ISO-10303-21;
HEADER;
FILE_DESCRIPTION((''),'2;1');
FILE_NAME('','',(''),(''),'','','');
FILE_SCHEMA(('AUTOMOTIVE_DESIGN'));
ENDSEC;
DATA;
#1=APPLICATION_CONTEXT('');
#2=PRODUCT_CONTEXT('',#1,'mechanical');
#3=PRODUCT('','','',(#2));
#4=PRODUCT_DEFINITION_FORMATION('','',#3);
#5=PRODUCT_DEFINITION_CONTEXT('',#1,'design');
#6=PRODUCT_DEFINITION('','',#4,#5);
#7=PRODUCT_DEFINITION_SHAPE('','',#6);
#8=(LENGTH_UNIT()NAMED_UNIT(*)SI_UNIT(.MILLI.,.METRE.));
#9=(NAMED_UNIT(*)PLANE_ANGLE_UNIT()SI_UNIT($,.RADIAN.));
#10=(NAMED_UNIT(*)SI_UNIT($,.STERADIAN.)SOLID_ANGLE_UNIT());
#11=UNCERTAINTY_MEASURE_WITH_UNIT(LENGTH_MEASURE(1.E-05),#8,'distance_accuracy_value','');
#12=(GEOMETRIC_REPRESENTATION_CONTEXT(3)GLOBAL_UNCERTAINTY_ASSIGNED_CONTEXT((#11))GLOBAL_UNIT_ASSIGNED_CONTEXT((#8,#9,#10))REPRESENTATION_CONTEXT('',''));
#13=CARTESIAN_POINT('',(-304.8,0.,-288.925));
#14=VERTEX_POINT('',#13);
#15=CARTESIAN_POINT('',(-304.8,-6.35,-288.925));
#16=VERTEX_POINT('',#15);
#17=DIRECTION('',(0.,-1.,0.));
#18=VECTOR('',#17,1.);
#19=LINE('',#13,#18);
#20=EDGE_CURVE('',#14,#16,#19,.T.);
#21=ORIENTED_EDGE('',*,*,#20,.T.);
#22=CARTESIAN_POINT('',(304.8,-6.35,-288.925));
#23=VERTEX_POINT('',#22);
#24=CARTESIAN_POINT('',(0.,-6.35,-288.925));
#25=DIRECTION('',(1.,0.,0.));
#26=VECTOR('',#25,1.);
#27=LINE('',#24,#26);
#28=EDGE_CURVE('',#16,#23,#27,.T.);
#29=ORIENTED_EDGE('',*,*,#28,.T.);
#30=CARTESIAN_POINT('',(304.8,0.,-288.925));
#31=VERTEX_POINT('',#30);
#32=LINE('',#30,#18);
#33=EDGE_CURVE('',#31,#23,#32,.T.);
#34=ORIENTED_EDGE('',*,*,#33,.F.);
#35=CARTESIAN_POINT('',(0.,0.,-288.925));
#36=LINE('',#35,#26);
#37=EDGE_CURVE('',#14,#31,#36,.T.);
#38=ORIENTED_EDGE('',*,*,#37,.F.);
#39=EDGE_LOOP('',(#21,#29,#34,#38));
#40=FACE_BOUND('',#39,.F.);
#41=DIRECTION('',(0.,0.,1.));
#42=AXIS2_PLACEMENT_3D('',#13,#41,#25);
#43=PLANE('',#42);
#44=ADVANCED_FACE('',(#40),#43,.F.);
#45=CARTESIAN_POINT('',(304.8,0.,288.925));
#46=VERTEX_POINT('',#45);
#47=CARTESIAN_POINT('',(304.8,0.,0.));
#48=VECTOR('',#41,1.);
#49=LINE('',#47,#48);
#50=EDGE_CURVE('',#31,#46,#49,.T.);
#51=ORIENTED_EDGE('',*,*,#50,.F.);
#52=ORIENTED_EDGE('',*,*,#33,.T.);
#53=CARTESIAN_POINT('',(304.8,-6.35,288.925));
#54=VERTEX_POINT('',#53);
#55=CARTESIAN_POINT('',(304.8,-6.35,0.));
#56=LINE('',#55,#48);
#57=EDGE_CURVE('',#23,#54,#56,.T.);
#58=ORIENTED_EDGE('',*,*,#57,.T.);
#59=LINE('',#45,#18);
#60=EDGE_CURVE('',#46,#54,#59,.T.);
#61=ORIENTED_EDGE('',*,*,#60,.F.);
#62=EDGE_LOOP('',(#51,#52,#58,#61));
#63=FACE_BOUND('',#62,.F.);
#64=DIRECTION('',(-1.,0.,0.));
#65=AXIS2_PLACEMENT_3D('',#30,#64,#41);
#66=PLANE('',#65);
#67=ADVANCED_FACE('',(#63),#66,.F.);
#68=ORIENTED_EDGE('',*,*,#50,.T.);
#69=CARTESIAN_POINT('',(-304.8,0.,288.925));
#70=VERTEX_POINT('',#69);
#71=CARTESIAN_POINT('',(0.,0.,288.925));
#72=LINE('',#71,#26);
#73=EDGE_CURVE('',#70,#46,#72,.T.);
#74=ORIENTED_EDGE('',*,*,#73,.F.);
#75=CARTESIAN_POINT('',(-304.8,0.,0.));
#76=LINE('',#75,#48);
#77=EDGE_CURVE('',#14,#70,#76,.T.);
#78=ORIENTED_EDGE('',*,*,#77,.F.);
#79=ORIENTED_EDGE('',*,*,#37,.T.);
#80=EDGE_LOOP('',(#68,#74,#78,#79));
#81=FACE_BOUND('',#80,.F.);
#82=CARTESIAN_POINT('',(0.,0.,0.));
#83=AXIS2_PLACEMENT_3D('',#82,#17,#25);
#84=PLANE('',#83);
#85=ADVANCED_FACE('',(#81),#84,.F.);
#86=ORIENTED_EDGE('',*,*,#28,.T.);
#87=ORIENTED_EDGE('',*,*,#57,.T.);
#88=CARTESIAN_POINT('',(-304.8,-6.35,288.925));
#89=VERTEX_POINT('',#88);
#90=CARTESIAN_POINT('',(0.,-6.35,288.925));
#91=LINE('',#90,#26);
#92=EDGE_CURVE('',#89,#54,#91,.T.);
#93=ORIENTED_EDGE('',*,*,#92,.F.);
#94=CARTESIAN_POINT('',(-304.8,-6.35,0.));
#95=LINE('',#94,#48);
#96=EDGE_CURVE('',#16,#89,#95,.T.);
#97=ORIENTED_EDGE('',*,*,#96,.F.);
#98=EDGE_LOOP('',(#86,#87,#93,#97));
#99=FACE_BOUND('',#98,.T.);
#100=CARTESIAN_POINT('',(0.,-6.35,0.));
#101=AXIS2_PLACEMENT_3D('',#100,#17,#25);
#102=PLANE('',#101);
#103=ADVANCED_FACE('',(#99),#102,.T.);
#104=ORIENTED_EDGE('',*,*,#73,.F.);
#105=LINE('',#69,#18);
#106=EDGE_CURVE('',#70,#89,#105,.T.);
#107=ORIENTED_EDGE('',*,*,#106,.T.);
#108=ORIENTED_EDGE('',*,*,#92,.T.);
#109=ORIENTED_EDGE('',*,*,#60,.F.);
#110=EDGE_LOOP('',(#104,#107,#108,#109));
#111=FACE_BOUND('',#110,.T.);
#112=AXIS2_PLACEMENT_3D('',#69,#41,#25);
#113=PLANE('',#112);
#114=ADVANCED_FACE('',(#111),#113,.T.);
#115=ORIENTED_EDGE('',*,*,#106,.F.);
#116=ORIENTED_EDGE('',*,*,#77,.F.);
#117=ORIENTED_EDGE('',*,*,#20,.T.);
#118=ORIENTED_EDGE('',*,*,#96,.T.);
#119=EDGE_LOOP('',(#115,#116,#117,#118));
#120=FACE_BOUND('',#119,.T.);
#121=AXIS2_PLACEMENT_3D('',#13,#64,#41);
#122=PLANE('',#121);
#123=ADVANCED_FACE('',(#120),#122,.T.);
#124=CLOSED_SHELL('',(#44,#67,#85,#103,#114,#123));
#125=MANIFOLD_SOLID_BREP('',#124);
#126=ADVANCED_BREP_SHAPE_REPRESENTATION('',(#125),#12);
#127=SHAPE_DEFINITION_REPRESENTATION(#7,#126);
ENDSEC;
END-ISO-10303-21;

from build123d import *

# Parameters (mm, degrees)
F0_W     = 609.6
F0_H     = 577.85
F1_DEPTH = 6.35


with BuildPart() as f1:
    # F0 (on Front) → F1 (new body)
    with BuildSketch(Plane.XZ):
        Rectangle(F0_W, F0_H)
    extrude(amount=F1_DEPTH)


solid = f1.part
